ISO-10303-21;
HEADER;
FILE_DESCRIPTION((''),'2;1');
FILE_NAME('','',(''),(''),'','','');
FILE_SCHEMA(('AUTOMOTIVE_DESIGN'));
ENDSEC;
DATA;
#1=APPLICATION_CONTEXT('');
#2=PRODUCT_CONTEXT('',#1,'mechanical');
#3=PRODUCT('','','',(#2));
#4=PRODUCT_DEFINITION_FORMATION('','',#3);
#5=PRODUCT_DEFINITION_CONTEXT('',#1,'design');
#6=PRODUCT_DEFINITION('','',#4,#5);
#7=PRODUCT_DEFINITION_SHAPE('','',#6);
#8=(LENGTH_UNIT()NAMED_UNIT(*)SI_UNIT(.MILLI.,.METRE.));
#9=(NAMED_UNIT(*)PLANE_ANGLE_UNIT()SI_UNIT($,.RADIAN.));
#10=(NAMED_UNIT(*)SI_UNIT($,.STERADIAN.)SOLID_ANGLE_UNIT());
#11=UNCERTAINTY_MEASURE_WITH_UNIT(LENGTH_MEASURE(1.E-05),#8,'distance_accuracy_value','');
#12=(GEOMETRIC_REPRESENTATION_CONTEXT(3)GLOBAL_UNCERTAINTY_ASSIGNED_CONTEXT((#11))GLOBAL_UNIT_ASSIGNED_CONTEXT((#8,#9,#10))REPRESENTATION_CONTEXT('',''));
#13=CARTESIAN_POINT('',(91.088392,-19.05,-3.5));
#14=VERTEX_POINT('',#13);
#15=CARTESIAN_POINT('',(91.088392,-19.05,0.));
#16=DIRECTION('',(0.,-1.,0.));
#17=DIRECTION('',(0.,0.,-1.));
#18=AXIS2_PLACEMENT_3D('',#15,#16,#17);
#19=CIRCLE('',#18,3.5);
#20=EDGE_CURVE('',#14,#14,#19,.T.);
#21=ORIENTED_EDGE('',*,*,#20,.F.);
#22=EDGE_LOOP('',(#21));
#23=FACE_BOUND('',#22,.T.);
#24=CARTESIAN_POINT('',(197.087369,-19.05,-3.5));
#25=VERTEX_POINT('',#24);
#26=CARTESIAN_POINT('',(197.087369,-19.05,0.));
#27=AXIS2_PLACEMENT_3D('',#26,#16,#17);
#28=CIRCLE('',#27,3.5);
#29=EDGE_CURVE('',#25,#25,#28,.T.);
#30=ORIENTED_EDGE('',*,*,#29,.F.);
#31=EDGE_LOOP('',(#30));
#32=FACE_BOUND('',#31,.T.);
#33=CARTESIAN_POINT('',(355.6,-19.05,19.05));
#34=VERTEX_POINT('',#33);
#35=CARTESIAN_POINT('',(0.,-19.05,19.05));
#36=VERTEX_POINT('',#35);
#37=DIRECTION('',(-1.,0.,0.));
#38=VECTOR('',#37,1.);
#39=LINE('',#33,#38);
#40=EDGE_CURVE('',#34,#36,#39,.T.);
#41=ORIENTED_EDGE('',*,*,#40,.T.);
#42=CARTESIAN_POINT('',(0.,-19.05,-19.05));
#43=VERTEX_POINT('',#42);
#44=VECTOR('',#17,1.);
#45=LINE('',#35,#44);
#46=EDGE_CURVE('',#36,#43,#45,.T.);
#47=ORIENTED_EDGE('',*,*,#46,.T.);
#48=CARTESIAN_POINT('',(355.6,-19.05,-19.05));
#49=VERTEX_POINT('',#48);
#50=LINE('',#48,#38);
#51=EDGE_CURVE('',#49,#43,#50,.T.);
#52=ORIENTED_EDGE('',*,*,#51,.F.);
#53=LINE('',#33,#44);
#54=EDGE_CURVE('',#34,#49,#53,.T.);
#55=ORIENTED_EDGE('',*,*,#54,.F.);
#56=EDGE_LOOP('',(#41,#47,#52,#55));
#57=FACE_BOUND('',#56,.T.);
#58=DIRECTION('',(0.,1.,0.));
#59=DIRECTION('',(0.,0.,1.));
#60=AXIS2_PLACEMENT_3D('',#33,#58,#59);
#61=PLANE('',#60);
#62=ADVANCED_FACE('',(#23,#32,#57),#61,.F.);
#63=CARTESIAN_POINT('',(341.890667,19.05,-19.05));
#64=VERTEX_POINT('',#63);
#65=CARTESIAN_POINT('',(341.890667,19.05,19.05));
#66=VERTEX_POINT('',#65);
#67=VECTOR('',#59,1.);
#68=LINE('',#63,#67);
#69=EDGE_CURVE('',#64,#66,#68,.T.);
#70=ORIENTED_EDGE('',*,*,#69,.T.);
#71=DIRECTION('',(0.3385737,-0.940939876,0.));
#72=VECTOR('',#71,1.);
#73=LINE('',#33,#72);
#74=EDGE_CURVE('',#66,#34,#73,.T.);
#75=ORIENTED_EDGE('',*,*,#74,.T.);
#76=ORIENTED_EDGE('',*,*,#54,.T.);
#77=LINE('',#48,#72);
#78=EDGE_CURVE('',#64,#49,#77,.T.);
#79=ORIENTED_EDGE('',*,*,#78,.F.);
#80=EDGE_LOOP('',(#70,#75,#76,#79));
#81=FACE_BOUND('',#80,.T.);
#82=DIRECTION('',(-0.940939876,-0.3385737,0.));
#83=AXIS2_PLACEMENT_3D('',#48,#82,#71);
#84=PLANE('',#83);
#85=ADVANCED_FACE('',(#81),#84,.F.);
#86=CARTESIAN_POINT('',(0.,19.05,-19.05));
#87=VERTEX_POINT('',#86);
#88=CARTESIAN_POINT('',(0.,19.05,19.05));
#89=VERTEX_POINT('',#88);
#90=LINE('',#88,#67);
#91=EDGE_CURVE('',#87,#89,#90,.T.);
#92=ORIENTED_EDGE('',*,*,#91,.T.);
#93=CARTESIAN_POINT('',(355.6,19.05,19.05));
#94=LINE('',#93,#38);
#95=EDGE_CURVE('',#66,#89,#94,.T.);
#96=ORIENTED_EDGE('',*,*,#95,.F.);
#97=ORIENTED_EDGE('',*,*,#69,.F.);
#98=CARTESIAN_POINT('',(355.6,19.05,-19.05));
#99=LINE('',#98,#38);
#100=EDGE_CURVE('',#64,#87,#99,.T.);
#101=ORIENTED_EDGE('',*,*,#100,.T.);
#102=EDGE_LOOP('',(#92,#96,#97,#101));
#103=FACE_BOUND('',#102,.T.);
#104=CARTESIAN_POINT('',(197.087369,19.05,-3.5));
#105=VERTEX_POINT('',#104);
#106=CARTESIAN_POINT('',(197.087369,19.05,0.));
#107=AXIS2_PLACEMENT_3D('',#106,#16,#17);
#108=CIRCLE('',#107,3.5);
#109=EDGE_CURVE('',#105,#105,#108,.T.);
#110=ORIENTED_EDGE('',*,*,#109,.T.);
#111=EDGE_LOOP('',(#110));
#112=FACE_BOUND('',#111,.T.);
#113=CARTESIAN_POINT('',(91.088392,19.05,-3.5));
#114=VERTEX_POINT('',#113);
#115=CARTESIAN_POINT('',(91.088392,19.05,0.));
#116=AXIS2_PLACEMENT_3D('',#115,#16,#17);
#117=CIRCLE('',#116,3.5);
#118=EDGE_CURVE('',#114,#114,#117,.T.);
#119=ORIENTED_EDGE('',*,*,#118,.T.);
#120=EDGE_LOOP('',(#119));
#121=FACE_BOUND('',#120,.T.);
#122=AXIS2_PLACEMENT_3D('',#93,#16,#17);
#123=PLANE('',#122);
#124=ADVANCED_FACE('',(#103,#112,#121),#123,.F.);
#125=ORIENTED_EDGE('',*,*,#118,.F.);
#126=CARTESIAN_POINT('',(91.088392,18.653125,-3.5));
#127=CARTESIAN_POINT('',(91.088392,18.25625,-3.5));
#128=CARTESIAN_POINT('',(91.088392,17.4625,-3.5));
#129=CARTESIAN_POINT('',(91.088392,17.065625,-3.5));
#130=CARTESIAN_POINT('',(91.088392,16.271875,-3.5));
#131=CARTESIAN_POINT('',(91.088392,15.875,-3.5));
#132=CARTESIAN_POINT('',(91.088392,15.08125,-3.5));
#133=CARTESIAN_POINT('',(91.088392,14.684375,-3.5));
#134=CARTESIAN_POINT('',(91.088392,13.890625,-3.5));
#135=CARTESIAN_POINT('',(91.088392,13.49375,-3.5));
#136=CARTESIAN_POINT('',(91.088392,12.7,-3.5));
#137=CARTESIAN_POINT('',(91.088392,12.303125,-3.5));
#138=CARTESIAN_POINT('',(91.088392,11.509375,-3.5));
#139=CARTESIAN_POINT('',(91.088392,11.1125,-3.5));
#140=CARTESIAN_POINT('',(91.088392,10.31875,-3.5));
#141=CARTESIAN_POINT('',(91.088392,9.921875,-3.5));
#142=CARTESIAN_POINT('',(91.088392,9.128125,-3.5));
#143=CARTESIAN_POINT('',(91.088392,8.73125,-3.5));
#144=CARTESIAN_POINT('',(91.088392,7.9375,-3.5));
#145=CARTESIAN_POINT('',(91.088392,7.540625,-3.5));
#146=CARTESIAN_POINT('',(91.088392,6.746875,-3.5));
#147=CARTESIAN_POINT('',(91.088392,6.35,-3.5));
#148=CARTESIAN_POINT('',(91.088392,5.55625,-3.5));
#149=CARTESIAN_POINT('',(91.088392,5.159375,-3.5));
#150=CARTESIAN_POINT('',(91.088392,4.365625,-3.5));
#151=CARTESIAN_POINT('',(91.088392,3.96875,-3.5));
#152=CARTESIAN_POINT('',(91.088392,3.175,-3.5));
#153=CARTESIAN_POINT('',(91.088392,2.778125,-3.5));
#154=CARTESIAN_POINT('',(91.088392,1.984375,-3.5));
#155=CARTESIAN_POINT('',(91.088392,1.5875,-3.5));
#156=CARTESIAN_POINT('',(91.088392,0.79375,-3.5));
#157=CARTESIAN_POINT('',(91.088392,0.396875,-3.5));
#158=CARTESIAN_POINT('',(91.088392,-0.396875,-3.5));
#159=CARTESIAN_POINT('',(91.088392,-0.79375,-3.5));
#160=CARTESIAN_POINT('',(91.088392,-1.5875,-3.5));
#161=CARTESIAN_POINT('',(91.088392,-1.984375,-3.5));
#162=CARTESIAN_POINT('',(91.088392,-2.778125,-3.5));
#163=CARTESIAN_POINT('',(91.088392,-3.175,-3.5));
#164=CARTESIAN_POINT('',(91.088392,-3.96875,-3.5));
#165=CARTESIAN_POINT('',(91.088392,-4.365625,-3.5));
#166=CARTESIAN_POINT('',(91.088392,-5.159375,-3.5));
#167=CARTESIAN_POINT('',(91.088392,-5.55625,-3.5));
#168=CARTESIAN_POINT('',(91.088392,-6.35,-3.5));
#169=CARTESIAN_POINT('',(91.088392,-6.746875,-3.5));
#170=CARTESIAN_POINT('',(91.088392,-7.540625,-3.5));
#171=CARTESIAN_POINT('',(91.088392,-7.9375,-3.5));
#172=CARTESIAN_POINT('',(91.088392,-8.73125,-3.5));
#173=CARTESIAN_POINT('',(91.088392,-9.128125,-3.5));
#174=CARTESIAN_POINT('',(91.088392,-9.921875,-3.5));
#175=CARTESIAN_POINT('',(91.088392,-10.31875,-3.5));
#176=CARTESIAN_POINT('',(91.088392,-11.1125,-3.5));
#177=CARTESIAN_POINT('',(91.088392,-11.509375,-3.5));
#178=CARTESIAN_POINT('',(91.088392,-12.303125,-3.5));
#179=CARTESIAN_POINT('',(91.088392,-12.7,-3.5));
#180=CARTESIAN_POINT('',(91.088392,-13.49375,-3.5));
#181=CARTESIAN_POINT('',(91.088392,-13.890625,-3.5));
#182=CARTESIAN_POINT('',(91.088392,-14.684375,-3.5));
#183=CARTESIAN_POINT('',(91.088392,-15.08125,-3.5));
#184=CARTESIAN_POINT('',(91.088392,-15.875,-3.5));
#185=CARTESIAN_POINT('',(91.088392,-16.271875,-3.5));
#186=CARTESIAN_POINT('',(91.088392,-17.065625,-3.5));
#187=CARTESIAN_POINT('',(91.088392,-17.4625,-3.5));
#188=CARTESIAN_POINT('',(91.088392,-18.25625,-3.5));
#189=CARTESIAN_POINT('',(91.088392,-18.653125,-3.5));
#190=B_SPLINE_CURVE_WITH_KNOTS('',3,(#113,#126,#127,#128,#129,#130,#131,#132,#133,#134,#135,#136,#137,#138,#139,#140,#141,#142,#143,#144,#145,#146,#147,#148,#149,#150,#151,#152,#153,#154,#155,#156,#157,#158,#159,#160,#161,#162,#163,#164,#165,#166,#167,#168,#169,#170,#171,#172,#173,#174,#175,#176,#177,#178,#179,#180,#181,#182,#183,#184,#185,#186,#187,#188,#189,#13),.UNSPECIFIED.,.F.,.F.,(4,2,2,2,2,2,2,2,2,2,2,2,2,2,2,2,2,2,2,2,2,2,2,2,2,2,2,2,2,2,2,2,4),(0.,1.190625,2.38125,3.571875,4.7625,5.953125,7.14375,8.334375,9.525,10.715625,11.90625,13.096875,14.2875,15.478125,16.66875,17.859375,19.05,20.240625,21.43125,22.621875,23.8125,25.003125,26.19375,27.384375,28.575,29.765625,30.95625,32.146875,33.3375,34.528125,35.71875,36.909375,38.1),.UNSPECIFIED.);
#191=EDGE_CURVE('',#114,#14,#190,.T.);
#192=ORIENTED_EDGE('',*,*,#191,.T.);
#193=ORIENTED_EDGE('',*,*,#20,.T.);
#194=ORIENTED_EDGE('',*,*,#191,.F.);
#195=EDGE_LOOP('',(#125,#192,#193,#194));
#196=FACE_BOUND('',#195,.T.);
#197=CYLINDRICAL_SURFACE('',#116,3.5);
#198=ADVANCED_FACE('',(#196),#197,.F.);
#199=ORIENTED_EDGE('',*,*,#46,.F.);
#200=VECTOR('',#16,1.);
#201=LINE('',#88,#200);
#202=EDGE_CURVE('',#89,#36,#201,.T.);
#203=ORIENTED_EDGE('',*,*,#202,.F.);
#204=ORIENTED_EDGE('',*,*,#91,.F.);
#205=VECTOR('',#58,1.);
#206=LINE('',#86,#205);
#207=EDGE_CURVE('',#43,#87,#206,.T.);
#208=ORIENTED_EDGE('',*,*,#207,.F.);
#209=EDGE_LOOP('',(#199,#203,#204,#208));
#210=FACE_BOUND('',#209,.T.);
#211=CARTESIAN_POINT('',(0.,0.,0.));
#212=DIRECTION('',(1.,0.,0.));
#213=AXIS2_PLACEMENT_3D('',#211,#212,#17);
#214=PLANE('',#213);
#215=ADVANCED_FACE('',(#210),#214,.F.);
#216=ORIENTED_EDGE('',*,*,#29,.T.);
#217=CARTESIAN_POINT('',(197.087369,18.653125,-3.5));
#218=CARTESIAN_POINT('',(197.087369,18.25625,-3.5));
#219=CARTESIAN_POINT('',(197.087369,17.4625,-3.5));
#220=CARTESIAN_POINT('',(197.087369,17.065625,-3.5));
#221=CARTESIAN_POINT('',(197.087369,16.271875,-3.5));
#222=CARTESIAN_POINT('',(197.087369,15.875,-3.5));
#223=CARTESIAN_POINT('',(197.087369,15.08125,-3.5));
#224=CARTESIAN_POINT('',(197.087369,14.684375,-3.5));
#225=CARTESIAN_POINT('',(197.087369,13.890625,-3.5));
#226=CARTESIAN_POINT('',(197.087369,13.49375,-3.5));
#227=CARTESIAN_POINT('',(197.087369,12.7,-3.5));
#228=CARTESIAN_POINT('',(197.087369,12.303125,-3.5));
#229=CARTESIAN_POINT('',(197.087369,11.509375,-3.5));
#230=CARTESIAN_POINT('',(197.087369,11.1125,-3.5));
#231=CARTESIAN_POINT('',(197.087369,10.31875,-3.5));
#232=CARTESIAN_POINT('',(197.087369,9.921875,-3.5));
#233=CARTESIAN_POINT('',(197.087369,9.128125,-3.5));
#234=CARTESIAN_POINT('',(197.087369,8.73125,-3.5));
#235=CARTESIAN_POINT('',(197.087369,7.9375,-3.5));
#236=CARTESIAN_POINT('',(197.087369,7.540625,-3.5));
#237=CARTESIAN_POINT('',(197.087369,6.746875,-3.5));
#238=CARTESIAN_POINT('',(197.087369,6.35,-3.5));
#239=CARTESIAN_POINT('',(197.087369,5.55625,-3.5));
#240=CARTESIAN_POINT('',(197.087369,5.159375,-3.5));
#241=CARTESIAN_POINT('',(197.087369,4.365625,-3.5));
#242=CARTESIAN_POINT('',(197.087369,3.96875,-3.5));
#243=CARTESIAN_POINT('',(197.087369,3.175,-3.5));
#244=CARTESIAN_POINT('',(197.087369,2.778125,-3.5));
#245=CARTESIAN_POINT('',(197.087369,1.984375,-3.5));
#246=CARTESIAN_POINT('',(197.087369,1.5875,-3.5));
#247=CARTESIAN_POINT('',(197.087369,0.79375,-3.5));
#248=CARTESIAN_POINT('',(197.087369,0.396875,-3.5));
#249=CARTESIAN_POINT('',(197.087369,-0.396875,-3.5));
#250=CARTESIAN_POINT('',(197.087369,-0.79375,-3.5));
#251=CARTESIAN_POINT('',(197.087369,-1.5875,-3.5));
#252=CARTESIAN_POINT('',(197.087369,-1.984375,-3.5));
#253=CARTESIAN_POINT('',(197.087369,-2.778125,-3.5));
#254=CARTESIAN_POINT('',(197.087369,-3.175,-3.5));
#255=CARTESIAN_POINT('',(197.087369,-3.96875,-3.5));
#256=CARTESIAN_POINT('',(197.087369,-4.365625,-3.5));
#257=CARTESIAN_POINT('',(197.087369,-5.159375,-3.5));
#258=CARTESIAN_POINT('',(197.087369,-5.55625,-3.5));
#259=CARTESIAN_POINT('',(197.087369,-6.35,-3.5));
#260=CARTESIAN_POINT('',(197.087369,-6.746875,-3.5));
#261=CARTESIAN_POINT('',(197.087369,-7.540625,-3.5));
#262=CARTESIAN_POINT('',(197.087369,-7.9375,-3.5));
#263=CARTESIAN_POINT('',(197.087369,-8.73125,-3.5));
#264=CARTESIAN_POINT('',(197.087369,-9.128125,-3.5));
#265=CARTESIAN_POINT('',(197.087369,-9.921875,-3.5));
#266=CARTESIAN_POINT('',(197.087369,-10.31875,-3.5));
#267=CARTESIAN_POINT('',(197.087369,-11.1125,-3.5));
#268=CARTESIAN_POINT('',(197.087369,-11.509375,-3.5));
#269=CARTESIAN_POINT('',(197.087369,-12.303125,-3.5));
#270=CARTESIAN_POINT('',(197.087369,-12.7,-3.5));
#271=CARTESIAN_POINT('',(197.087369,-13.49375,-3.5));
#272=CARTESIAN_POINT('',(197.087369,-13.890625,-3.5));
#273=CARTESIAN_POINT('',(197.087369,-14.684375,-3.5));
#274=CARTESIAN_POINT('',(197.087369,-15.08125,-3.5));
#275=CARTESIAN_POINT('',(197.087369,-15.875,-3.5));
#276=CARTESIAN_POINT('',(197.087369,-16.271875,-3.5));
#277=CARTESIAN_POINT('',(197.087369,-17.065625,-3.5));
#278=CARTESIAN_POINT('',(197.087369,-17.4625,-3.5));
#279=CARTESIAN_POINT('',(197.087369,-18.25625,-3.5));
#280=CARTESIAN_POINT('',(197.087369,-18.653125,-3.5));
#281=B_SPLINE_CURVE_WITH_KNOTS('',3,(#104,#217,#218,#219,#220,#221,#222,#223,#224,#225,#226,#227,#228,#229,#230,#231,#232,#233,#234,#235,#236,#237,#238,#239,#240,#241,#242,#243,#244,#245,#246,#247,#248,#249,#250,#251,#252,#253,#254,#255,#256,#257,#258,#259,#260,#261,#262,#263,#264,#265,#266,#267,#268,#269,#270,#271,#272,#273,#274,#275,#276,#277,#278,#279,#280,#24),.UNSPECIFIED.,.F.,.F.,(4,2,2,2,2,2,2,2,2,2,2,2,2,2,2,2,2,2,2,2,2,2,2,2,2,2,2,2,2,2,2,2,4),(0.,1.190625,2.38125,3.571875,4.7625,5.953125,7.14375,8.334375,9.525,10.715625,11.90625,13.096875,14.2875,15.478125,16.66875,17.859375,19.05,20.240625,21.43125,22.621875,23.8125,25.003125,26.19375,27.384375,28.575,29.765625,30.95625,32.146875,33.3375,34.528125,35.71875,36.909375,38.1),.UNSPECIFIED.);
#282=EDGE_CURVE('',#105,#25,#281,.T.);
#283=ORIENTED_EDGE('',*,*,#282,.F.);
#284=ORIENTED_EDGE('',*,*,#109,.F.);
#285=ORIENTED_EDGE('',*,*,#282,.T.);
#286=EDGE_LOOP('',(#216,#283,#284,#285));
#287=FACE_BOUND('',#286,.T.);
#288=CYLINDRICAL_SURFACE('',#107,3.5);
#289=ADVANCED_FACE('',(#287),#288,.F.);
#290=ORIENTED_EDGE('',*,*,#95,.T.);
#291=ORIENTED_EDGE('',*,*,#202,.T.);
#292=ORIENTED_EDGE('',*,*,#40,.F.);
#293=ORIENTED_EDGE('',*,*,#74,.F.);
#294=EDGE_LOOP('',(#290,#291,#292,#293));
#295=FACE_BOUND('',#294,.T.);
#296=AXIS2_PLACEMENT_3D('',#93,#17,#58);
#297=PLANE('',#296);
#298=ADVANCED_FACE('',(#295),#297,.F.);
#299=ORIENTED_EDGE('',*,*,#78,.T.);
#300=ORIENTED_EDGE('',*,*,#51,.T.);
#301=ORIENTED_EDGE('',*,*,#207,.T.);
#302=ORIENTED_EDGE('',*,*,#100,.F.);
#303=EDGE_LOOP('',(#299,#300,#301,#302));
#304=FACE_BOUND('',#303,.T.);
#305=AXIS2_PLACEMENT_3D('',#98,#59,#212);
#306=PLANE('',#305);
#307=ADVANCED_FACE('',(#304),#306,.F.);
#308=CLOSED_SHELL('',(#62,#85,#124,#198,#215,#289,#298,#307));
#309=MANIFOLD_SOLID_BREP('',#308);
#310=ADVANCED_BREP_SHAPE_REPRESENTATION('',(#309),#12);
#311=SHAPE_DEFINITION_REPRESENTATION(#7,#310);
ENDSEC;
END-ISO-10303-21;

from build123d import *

# Parameters (mm, degrees)
SKETCH1_W               = 38.1
SKETCH1_H               = 38.1
BOSS_EXTRUDE1_DEPTH     = 355.6
CUT_EXTRUDE1_DEPTH      = 359.142251766
CUT_EXTRUDE2_DEPTH      = 359.142251766
CUT_EXTRUDE2_DEPTH_BACK = 359.142251766
SKETCH3_R               = 3.5


with BuildPart() as part:
    # Sketch1 → Boss-Extrude1 (new body)
    with BuildSketch(Plane(origin=(0, 0, 0), x_dir=(0, 0, -1), z_dir=(1, 0, 0))):
        Rectangle(SKETCH1_W, SKETCH1_H)
    extrude(amount=BOSS_EXTRUDE1_DEPTH)

    # Sketch2 → Cut-Extrude1 (cut, through all)
    with BuildSketch(Plane.XY.offset(19.05)):
        Polygon((355.6, -19.05), (341.890667107, 19.05), (355.6, 19.05), align=None)
    extrude(amount=-CUT_EXTRUDE1_DEPTH, mode=Mode.SUBTRACT)

    # Sketch3 → Cut-Extrude2 (cut, two sides: drawn at the far end of the back side and taken through both)
    with BuildSketch(Plane(origin=(0, -19.05, 0), x_dir=(-1, 0, 0), z_dir=(0, -1, 0)).offset(-CUT_EXTRUDE2_DEPTH_BACK)):
        with Locations(Location((-91.088392372, 0, 0), (0, 0, 90))):
            Circle(SKETCH3_R)
        with Locations(Location((-197.087368962, 0, 0), (0, 0, 90))):
            Circle(SKETCH3_R)
    extrude(amount=CUT_EXTRUDE2_DEPTH + CUT_EXTRUDE2_DEPTH_BACK, mode=Mode.SUBTRACT)


solid = part.part
